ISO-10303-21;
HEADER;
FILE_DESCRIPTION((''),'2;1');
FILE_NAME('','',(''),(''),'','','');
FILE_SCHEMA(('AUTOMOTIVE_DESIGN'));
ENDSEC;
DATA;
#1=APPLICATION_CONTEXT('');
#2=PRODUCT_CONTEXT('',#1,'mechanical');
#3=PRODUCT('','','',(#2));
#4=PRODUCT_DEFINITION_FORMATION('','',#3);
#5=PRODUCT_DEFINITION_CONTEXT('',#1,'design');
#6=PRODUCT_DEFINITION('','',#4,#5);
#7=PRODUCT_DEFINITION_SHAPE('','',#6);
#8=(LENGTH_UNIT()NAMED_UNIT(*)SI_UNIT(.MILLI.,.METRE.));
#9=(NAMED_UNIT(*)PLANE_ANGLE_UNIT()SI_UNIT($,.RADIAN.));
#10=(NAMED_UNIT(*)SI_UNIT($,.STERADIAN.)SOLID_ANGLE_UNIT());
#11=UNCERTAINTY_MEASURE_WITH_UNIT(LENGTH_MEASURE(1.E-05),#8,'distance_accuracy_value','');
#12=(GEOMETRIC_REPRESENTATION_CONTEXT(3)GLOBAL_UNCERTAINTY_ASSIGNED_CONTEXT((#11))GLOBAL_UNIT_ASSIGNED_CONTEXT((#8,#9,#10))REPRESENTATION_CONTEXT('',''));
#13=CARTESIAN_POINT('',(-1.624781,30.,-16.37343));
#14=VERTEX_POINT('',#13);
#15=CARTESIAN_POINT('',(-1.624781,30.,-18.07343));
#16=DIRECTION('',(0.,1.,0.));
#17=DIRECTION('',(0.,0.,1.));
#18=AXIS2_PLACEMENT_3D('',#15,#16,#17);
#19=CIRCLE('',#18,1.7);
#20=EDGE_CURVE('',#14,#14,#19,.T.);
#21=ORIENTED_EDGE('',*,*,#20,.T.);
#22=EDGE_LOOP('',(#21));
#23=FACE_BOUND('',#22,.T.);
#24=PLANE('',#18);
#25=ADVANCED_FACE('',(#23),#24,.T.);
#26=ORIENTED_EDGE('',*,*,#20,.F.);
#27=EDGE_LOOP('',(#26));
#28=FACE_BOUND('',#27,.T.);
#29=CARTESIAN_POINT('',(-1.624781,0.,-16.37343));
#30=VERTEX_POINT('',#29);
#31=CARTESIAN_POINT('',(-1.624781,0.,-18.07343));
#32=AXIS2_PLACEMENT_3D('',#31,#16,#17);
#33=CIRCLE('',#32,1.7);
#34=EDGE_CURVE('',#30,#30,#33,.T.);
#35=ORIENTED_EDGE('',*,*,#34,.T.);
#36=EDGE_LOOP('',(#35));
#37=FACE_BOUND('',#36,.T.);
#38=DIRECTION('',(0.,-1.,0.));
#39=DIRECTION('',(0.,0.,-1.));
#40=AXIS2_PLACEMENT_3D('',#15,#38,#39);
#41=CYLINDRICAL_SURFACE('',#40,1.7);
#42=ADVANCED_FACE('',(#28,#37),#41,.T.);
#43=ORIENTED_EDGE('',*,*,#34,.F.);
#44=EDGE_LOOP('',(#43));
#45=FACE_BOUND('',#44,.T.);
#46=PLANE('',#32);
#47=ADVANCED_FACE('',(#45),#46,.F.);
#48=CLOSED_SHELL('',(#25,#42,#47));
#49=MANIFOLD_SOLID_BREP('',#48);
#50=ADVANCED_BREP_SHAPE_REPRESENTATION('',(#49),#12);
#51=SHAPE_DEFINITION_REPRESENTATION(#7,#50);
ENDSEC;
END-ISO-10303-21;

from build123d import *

# Parameters (mm, degrees)
SKETCH1_R           = 1.7
BOSS_EXTRUDE1_DEPTH = 30


with BuildPart() as part:
    # Sketch1 → Boss-Extrude1 (new body)
    with BuildSketch(Plane(origin=(0, 0, 0), x_dir=(1, 0, 0), z_dir=(0, 1, 0))):
        with Locations(Location((-1.624780785, 18.073430143, 0), (0, 0, 270))):
            Circle(SKETCH1_R)
    extrude(amount=BOSS_EXTRUDE1_DEPTH)


solid = part.part
